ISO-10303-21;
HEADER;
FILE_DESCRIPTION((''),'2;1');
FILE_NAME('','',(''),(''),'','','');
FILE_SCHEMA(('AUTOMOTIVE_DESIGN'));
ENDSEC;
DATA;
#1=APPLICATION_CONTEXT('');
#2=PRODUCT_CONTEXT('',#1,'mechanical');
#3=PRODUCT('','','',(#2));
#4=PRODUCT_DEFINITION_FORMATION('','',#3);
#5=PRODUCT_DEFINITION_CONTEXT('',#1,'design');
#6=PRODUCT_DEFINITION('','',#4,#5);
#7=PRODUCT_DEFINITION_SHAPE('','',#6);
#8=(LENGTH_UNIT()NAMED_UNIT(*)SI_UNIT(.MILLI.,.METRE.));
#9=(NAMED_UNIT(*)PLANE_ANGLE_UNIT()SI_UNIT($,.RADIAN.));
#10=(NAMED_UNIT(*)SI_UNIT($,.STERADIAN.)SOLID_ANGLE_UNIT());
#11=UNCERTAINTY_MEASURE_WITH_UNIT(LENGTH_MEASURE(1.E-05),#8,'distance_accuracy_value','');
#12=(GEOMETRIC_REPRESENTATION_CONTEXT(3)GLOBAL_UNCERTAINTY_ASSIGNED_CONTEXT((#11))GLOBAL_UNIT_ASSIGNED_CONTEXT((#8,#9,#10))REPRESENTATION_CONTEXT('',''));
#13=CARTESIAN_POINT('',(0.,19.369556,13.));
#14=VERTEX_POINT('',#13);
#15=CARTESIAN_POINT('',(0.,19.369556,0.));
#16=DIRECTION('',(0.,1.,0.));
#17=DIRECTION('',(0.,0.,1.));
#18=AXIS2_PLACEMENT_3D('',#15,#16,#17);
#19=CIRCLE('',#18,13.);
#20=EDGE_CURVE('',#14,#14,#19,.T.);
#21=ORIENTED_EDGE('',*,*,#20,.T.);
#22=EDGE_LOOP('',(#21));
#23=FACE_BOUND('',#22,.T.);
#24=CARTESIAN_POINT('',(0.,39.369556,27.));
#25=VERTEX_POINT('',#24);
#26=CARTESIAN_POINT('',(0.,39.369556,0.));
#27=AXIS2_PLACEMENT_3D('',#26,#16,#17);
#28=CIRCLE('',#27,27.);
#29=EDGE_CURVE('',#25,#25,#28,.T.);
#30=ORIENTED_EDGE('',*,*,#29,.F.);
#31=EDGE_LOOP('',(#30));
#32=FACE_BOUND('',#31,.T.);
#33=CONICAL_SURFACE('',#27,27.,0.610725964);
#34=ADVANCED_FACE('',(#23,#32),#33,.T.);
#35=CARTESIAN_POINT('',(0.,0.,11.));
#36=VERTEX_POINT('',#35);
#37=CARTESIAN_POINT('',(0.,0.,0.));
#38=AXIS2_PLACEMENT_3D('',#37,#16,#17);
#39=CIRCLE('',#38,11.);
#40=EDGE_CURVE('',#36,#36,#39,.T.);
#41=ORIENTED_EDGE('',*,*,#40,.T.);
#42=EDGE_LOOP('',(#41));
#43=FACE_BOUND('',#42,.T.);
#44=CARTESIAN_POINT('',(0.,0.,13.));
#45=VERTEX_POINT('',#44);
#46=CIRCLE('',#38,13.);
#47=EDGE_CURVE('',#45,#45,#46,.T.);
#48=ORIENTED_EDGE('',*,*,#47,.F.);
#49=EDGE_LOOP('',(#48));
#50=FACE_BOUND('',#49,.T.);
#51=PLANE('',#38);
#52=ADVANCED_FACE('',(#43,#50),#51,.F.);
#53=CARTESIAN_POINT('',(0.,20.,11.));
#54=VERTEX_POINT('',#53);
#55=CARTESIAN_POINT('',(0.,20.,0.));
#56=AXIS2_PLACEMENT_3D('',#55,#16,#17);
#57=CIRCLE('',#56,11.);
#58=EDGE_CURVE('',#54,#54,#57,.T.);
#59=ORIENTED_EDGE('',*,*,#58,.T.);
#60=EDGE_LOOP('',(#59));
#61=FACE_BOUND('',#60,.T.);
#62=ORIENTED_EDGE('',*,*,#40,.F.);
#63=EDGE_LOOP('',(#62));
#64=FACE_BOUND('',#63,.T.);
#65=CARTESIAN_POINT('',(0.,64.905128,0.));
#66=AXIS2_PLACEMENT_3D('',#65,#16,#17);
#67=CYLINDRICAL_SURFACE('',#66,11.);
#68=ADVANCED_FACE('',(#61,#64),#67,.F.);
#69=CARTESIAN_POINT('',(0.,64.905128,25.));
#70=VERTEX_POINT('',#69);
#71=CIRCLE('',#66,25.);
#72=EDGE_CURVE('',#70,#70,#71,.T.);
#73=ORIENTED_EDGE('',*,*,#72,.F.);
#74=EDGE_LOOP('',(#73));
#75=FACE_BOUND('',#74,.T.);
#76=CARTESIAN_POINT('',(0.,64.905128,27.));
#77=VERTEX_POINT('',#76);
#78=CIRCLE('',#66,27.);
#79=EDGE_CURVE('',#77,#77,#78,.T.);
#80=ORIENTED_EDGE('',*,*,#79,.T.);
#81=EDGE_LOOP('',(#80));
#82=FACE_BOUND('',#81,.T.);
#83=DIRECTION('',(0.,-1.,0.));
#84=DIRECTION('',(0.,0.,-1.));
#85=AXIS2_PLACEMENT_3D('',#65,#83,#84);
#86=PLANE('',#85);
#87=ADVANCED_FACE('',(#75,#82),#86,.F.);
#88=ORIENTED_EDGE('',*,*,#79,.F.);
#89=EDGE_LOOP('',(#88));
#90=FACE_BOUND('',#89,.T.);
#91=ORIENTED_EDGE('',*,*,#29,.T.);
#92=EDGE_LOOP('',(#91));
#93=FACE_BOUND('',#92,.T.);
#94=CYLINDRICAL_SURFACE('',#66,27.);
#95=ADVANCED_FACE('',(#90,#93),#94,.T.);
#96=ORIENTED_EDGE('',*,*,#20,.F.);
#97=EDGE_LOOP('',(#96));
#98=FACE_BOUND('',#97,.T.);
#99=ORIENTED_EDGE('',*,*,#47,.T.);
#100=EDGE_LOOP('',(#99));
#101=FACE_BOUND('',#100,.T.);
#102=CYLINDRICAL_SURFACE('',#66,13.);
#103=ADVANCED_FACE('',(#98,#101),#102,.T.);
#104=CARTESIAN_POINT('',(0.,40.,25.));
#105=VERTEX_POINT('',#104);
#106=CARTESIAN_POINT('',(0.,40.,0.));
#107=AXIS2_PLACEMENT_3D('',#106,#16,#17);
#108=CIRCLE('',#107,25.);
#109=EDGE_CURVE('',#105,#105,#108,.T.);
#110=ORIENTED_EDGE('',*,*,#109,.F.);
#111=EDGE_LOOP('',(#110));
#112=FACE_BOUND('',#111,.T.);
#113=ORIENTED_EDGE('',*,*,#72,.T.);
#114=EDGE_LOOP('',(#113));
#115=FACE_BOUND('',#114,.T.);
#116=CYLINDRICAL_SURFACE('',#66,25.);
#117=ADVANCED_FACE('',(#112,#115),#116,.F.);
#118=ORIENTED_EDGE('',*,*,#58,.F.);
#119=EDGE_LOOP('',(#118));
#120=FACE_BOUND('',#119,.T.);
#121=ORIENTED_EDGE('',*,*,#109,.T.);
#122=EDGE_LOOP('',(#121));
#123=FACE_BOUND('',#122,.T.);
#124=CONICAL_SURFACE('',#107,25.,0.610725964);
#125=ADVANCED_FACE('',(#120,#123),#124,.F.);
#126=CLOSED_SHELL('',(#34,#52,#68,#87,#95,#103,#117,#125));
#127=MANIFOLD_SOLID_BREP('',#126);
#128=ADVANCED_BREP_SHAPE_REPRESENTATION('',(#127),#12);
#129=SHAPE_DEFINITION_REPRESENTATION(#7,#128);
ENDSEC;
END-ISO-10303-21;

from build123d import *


with BuildPart() as part:
    # Esboço1 → Revolução2 (revolve)
    with BuildSketch(Plane.XY, mode=Mode.PRIVATE) as revolu_o2_sk:
        Polygon((-11, 0), (-13, 0), (-13, 19.369555538), (-27, 39.369555538), (-27, 64.905127939), (-25, 64.905127939), (-25, 40), (-11, 20), align=None)
    revolve(revolu_o2_sk.sketch.rotate(Axis((0, 64.905127939, 0), (0, -1, 0)), 270), axis=Axis((0, 64.905127939, 0), (0, -1, 0)))


solid = part.part
